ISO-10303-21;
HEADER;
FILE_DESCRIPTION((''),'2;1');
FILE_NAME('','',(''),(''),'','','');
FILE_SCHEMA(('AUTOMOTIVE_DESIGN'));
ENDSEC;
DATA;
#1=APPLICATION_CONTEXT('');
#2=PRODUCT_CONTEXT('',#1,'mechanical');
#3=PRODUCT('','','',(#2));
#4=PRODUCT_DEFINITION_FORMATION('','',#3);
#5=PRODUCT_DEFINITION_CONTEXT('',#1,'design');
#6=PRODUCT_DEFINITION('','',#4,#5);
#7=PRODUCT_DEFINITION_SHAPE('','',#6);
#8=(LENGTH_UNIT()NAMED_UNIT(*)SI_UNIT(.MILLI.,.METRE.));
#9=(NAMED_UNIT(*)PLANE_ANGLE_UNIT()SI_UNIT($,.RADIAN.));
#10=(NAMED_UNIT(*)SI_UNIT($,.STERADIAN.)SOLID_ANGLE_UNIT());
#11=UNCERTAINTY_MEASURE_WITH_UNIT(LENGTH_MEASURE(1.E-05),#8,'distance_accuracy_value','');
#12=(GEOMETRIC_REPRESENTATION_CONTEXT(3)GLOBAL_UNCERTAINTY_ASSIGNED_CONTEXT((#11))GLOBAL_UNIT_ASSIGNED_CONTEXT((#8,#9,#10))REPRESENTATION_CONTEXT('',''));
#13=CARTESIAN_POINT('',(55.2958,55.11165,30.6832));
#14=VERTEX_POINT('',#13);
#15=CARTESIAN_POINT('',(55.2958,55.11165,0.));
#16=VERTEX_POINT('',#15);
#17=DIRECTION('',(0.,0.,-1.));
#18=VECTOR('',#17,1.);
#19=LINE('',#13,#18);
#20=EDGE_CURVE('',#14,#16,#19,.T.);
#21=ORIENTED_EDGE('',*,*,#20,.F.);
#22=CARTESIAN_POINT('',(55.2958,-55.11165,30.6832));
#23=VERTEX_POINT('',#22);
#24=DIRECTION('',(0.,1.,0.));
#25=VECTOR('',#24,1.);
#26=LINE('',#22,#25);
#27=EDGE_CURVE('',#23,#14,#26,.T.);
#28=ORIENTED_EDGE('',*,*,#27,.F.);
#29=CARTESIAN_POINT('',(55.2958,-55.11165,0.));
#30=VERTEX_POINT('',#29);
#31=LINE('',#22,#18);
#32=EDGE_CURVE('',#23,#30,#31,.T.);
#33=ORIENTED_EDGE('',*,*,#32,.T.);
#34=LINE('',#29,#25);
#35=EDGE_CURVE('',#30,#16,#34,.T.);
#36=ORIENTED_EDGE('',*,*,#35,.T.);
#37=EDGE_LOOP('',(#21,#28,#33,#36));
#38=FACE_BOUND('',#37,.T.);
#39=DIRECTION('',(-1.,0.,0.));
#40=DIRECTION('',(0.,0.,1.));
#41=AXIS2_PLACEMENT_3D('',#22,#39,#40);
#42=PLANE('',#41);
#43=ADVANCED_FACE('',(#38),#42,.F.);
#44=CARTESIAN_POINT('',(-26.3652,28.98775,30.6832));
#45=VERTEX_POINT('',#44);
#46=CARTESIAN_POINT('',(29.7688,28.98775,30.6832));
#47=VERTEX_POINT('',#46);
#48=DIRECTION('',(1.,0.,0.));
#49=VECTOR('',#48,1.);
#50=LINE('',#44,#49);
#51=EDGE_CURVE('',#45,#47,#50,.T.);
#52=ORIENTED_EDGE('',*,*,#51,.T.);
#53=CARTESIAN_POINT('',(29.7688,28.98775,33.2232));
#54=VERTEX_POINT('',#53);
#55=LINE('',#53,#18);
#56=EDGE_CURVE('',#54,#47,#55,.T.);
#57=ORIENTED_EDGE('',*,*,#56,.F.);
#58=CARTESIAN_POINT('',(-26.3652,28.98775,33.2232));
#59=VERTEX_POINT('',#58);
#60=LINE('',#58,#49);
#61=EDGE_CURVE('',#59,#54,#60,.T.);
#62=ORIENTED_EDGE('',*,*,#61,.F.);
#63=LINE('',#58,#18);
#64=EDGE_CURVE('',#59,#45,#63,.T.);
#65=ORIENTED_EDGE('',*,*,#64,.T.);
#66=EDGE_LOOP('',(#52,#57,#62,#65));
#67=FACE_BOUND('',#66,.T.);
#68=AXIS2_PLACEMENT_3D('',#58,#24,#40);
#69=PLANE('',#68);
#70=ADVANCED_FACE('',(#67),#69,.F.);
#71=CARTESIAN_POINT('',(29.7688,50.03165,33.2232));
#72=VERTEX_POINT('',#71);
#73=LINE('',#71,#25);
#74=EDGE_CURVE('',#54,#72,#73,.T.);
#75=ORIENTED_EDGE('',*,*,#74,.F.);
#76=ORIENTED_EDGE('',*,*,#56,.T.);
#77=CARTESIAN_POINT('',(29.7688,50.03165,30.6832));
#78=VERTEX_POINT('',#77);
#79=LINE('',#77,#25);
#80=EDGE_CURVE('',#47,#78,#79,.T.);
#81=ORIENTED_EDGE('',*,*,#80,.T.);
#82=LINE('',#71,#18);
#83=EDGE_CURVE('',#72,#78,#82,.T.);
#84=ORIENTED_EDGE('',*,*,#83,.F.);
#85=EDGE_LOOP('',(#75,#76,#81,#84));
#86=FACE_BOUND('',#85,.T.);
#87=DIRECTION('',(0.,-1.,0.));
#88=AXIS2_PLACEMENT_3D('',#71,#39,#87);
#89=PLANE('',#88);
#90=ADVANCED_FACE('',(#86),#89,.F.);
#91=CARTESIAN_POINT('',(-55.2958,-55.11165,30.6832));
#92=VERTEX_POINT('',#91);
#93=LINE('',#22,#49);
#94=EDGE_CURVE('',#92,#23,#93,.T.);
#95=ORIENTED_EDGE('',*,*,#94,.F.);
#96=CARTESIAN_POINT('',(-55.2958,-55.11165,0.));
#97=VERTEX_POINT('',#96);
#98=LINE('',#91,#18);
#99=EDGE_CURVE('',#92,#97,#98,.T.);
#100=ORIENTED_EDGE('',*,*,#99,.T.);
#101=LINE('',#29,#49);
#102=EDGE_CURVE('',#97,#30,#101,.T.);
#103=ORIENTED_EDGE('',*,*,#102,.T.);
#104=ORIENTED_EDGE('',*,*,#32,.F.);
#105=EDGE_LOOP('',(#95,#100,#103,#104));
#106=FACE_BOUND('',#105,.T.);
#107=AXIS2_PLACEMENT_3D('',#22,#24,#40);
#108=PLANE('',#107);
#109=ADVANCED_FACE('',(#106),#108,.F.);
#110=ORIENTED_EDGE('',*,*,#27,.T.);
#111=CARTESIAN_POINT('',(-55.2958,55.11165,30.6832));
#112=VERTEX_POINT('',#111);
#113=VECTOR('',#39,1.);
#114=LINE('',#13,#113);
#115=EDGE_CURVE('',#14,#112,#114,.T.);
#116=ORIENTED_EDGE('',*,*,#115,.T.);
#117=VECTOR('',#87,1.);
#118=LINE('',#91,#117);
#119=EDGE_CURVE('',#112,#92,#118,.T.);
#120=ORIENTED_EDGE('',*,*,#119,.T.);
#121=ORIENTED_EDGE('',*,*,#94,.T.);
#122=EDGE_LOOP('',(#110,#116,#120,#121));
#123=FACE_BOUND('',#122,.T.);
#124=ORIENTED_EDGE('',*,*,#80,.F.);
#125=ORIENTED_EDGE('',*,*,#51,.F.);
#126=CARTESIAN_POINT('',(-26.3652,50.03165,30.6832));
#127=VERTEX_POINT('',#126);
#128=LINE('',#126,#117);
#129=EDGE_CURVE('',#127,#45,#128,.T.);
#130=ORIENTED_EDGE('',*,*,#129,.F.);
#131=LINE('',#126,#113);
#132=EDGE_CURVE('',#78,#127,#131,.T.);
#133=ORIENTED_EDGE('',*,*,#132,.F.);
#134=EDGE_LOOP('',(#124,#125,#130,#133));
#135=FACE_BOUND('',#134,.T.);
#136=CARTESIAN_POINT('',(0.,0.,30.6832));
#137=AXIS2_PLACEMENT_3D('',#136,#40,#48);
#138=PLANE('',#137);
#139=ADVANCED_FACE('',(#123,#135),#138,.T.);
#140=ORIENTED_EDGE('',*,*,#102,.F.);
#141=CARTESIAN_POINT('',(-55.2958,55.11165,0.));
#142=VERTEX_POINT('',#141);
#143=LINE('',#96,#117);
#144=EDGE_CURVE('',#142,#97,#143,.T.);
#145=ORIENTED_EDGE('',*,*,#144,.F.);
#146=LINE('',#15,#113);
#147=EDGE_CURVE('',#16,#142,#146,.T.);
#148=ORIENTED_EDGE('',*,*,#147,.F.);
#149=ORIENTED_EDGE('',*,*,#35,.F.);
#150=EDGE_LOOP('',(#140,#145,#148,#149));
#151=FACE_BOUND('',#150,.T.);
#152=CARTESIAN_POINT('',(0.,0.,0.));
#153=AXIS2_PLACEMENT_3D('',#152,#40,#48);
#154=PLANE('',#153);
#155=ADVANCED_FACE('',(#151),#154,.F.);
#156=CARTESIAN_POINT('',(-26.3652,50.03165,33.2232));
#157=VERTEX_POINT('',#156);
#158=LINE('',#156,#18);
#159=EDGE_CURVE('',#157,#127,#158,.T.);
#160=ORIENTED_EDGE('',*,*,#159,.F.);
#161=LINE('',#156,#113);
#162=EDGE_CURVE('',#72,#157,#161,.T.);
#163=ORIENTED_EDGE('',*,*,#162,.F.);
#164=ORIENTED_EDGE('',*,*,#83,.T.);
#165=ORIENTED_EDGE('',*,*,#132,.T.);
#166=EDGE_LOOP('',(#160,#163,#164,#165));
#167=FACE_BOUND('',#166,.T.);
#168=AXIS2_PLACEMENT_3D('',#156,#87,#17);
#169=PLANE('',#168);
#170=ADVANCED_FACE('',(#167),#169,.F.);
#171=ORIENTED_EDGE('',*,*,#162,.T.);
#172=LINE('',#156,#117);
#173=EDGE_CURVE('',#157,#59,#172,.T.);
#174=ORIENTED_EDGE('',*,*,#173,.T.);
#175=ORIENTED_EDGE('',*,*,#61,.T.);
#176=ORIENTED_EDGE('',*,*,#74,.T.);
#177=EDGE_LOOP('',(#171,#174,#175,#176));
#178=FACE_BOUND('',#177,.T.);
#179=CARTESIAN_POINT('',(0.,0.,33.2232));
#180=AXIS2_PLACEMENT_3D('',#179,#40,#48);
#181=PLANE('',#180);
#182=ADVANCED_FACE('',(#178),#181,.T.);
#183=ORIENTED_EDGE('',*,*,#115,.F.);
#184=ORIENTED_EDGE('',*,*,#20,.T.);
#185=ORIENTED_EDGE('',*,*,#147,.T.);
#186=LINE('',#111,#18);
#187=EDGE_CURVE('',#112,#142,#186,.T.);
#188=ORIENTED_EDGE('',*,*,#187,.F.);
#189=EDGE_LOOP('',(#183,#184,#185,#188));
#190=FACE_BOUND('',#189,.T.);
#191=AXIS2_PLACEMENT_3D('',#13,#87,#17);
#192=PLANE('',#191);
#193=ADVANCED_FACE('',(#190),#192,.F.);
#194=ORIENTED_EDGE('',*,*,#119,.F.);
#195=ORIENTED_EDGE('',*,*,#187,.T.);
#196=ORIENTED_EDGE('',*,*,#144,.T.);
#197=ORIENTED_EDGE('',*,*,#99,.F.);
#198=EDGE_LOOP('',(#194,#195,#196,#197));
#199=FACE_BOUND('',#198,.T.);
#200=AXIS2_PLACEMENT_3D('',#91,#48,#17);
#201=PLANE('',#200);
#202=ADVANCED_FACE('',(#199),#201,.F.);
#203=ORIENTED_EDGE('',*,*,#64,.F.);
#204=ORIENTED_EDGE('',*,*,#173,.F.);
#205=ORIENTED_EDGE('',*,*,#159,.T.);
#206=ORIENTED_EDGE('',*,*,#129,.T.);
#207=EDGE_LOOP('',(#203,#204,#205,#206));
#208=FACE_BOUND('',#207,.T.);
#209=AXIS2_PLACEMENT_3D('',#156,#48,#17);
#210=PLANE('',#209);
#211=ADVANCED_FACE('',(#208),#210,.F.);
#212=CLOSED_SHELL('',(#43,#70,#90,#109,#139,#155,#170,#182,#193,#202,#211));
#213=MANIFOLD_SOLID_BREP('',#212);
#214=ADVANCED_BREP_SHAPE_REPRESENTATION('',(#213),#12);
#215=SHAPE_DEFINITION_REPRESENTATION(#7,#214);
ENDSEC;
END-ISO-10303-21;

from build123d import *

# Parameters (mm, degrees)
SKETCH1_W           = 110.5916
SKETCH1_H           = 110.2233
BOSS_EXTRUDE1_DEPTH = 30.6832
SKETCH3_W           = 56.134
SKETCH3_H           = 21.0439
BOSS_EXTRUDE2_DEPTH = 2.54


with BuildPart() as part:
    # Sketch1 → Boss-Extrude1 (new body)
    with BuildSketch(Plane.XY):
        Rectangle(SKETCH1_W, SKETCH1_H)
    extrude(amount=BOSS_EXTRUDE1_DEPTH)

    # Sketch3 → Boss-Extrude2 (add)
    with BuildSketch(Plane.XY.offset(30.6832)):
        with Locations((1.7018, 39.5097)):
            Rectangle(SKETCH3_W, SKETCH3_H)
    extrude(amount=BOSS_EXTRUDE2_DEPTH)


solid = part.part
